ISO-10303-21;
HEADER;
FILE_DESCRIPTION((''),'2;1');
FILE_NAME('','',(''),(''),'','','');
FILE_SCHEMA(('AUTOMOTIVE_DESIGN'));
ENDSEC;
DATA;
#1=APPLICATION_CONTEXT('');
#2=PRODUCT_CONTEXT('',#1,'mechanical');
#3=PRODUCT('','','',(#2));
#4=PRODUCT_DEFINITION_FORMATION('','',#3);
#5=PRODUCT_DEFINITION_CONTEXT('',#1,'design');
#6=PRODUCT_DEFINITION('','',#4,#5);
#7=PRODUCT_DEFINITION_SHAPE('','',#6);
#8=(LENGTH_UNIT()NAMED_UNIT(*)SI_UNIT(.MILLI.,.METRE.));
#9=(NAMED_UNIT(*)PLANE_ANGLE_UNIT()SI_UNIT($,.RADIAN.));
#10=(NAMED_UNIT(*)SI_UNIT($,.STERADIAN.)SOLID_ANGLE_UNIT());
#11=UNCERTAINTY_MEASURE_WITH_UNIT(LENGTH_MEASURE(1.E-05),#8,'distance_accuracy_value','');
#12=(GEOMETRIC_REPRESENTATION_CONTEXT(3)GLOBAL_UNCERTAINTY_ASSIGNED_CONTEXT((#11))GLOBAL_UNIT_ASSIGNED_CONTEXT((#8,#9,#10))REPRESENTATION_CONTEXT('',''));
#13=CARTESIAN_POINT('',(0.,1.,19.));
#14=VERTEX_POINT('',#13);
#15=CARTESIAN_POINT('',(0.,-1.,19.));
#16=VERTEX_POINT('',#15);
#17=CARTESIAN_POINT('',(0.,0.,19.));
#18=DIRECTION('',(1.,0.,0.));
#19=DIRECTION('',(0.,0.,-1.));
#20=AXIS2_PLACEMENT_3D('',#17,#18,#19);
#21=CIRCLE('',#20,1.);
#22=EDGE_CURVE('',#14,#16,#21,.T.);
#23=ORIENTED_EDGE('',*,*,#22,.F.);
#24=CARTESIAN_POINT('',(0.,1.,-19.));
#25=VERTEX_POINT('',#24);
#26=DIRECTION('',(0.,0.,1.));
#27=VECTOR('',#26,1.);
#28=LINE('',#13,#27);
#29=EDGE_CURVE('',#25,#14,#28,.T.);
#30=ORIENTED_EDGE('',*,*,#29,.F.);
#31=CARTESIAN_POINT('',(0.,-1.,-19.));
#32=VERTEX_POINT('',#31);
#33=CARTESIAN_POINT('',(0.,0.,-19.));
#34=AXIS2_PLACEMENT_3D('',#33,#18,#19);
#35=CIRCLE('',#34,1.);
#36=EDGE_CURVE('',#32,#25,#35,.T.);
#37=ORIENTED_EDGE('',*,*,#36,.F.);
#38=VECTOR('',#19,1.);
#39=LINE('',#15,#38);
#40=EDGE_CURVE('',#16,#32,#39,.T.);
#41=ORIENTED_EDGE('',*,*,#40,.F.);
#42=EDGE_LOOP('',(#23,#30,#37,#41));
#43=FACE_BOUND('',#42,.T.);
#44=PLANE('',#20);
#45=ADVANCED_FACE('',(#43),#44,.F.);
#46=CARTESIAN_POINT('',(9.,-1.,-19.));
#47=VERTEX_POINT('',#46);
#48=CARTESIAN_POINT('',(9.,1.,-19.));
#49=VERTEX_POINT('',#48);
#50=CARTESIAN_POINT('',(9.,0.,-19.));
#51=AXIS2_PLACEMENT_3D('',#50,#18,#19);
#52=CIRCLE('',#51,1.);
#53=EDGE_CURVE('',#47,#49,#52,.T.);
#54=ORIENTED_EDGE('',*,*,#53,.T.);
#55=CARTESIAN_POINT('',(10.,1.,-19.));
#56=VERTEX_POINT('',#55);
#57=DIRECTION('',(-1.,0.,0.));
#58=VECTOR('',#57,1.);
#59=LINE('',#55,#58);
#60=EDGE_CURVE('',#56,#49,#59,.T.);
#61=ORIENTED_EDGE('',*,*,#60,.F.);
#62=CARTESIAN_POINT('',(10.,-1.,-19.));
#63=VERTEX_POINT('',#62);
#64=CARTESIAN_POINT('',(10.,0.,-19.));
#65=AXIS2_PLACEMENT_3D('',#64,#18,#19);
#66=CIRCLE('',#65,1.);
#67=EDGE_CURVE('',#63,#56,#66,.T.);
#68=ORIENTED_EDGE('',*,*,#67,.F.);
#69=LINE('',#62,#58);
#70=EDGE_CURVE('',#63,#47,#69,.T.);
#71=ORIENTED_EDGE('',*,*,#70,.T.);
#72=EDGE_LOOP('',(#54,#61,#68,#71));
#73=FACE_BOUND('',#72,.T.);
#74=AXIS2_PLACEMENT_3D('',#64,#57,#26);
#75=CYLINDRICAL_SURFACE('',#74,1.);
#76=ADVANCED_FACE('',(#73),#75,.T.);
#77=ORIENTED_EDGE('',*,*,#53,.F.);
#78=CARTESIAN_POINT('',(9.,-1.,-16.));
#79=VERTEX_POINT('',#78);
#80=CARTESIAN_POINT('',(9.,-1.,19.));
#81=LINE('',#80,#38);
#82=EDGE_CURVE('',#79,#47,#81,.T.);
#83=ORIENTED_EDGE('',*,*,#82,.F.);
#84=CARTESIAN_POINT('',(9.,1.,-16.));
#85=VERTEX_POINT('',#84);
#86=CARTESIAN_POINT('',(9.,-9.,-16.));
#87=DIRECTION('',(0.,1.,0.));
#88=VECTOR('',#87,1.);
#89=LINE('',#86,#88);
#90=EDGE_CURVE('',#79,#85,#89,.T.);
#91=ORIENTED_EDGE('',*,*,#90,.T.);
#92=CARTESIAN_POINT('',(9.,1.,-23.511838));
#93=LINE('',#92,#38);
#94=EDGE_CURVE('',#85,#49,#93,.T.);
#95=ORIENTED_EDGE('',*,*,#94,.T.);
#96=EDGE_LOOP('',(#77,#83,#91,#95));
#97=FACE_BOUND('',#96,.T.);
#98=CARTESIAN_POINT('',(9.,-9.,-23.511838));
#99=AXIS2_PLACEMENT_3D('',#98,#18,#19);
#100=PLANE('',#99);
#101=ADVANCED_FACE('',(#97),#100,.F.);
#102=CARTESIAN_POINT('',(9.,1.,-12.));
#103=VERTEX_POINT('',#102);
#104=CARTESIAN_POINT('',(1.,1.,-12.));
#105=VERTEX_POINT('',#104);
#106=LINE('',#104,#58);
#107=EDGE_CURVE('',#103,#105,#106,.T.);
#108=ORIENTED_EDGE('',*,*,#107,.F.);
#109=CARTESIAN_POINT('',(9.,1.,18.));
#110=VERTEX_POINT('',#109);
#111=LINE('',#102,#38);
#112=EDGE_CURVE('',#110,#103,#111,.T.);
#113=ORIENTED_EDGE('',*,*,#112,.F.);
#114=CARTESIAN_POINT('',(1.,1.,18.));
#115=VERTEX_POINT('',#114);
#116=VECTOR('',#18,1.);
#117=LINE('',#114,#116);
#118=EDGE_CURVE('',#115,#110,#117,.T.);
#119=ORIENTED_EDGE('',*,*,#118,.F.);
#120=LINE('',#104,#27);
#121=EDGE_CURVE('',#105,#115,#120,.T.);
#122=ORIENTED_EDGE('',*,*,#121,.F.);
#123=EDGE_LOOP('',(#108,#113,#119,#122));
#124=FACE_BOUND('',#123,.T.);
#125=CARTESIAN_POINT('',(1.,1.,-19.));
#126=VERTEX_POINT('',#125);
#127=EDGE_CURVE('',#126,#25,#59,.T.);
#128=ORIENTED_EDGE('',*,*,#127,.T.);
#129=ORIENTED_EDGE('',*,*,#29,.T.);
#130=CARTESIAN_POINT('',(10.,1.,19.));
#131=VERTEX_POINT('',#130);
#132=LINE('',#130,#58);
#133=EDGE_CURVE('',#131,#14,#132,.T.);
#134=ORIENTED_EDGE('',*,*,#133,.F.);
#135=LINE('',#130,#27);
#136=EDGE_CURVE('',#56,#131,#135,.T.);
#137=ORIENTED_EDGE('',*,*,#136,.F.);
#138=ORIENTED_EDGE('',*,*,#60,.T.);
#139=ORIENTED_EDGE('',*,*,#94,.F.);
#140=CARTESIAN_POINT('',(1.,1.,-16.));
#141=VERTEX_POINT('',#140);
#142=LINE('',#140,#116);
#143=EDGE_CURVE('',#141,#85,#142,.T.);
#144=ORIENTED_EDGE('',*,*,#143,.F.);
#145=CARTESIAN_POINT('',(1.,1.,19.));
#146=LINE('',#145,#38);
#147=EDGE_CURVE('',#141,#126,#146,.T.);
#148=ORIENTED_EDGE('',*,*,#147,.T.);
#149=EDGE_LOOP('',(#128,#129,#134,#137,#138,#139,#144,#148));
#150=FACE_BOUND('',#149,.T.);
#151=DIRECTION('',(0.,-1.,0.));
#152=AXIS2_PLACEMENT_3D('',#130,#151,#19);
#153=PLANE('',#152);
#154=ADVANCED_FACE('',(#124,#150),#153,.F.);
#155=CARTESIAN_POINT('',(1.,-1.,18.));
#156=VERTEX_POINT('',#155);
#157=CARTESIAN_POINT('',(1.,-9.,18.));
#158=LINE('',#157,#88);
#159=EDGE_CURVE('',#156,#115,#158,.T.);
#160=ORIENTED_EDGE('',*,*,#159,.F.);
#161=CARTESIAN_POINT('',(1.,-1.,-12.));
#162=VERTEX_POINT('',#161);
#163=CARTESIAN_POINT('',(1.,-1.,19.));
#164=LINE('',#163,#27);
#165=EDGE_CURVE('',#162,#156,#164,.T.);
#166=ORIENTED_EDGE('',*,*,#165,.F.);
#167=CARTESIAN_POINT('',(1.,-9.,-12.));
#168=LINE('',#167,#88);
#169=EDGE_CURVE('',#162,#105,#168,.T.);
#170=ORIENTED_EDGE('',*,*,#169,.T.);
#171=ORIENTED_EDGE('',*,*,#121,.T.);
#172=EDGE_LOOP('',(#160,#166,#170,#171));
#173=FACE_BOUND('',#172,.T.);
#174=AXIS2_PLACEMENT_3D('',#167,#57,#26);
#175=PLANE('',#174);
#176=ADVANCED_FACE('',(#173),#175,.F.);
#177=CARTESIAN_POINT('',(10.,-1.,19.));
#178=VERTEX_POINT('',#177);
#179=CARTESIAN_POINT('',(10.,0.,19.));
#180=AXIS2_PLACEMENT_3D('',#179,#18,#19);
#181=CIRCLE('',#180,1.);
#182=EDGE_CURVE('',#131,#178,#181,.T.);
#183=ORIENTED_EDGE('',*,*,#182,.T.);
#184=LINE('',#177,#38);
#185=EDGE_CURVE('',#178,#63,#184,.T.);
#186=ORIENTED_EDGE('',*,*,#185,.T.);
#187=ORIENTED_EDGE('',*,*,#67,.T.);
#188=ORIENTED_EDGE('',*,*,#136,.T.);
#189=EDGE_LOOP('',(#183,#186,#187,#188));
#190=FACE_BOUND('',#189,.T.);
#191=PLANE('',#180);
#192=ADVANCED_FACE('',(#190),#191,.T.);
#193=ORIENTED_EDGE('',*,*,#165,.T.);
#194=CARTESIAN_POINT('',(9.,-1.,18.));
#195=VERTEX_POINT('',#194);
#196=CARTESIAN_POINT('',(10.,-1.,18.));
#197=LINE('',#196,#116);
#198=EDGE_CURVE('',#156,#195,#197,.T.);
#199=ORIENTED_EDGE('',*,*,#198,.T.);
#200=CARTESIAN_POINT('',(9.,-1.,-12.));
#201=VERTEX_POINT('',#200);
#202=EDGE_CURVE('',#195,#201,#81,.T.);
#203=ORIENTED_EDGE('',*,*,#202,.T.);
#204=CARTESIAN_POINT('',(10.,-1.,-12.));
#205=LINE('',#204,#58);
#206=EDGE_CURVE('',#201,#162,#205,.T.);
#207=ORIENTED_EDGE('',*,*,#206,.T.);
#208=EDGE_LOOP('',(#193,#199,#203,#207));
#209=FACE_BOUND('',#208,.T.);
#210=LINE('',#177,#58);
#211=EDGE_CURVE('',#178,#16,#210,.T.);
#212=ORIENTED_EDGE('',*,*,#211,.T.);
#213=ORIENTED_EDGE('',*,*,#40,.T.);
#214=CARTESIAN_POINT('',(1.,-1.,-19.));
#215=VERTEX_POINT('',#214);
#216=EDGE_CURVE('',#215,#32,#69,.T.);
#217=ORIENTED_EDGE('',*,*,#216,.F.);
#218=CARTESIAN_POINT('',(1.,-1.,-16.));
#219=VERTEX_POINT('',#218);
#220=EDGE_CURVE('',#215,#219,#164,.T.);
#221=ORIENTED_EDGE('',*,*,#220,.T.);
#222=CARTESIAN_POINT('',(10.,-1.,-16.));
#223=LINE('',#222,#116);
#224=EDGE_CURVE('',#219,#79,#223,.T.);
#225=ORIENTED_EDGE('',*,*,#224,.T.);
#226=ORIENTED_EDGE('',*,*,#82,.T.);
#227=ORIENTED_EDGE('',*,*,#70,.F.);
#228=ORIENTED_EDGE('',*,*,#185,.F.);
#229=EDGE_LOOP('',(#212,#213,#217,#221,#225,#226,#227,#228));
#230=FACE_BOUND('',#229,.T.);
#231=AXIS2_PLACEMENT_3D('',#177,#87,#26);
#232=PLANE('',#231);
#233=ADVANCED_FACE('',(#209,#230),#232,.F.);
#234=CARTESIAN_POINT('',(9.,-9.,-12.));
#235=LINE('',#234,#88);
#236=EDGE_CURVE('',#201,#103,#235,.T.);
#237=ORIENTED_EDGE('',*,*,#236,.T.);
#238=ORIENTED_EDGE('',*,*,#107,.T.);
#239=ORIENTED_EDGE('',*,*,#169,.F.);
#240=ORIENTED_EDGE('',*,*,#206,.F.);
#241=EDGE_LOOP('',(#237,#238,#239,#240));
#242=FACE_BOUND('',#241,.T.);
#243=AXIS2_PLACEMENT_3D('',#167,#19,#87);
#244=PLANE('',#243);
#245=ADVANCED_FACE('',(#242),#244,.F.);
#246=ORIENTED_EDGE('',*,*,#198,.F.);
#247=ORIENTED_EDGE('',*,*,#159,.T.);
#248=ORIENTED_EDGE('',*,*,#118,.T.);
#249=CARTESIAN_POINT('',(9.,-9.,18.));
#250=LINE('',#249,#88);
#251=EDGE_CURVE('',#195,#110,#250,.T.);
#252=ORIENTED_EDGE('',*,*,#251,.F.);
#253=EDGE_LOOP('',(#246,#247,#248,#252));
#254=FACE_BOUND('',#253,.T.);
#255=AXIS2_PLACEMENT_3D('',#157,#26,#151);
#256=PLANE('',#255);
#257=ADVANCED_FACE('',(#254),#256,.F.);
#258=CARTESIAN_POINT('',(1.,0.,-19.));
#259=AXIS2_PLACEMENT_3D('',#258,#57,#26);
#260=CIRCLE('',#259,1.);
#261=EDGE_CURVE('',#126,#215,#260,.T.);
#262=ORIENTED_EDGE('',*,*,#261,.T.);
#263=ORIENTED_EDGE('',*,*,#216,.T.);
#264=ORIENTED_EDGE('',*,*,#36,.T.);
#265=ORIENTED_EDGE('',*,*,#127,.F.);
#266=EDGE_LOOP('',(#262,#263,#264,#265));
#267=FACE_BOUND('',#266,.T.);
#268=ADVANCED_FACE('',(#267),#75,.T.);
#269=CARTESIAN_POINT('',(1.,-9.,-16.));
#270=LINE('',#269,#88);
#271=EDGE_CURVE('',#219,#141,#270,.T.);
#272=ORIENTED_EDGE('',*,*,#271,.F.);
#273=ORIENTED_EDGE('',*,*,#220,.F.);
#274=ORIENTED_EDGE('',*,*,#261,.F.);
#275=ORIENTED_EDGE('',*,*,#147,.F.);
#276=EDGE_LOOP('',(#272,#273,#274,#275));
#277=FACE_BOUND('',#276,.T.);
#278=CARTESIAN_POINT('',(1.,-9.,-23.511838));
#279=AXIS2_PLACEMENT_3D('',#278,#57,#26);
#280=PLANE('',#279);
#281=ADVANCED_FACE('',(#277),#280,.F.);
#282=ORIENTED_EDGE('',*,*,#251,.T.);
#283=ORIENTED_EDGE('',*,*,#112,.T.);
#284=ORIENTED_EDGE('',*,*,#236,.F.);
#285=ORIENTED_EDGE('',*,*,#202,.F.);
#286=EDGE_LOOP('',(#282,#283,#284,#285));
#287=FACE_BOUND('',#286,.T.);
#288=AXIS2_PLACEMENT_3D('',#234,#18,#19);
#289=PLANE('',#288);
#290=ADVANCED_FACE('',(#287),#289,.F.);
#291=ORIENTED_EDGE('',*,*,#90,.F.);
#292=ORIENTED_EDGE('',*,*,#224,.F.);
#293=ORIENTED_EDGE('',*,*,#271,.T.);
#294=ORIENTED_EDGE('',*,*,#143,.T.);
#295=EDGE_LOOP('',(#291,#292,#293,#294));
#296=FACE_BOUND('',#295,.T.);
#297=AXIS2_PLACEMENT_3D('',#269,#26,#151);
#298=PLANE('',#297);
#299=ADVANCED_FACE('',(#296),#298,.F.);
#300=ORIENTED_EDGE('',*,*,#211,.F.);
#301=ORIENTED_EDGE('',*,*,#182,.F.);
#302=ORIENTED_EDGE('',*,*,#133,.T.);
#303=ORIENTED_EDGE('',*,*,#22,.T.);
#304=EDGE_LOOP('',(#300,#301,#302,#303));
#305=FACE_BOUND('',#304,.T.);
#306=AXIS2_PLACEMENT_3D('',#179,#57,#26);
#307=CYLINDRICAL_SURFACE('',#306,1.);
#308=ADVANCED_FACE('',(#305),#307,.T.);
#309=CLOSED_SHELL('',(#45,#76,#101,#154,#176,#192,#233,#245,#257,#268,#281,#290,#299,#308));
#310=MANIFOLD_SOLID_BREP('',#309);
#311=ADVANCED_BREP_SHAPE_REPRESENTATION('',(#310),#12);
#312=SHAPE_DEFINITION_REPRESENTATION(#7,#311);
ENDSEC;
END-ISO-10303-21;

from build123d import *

# Parameters (mm, degrees)
EXTRUDE_1_DEPTH     = 10
SKETCH_3_W          = 8
SKETCH_3_H          = 30
SKETCH_3_H_2        = 7.511837771
CUT_EXTRUDE_2_DEPTH = 10


with BuildPart() as part:
    # 草图1 → 凸台-拉伸1 (new body)
    with BuildSketch(Plane(origin=(0, 0, 0), x_dir=(0, 0, -1), z_dir=(1, 0, 0))):
        with BuildLine():
            Line((-19, 1), (19, 1))
            ThreePointArc((19, 1), (20, 0), (19, -1))
            Line((19, -1), (-19, -1))
            ThreePointArc((-19, -1), (-20, 0), (-19, 1))
        make_face()
    extrude(amount=EXTRUDE_1_DEPTH)

    # 草图3 → 切除-拉伸2 (cut)
    with BuildSketch(Plane(origin=(0, 1, 0), x_dir=(1, 0, 0), z_dir=(0, 1, 0))):
        with Locations((5, -3)):
            Rectangle(SKETCH_3_W, SKETCH_3_H)
        with Locations((5, 19.755918886)):
            Rectangle(SKETCH_3_W, SKETCH_3_H_2)
    extrude(amount=-CUT_EXTRUDE_2_DEPTH, mode=Mode.SUBTRACT)


solid = part.part
